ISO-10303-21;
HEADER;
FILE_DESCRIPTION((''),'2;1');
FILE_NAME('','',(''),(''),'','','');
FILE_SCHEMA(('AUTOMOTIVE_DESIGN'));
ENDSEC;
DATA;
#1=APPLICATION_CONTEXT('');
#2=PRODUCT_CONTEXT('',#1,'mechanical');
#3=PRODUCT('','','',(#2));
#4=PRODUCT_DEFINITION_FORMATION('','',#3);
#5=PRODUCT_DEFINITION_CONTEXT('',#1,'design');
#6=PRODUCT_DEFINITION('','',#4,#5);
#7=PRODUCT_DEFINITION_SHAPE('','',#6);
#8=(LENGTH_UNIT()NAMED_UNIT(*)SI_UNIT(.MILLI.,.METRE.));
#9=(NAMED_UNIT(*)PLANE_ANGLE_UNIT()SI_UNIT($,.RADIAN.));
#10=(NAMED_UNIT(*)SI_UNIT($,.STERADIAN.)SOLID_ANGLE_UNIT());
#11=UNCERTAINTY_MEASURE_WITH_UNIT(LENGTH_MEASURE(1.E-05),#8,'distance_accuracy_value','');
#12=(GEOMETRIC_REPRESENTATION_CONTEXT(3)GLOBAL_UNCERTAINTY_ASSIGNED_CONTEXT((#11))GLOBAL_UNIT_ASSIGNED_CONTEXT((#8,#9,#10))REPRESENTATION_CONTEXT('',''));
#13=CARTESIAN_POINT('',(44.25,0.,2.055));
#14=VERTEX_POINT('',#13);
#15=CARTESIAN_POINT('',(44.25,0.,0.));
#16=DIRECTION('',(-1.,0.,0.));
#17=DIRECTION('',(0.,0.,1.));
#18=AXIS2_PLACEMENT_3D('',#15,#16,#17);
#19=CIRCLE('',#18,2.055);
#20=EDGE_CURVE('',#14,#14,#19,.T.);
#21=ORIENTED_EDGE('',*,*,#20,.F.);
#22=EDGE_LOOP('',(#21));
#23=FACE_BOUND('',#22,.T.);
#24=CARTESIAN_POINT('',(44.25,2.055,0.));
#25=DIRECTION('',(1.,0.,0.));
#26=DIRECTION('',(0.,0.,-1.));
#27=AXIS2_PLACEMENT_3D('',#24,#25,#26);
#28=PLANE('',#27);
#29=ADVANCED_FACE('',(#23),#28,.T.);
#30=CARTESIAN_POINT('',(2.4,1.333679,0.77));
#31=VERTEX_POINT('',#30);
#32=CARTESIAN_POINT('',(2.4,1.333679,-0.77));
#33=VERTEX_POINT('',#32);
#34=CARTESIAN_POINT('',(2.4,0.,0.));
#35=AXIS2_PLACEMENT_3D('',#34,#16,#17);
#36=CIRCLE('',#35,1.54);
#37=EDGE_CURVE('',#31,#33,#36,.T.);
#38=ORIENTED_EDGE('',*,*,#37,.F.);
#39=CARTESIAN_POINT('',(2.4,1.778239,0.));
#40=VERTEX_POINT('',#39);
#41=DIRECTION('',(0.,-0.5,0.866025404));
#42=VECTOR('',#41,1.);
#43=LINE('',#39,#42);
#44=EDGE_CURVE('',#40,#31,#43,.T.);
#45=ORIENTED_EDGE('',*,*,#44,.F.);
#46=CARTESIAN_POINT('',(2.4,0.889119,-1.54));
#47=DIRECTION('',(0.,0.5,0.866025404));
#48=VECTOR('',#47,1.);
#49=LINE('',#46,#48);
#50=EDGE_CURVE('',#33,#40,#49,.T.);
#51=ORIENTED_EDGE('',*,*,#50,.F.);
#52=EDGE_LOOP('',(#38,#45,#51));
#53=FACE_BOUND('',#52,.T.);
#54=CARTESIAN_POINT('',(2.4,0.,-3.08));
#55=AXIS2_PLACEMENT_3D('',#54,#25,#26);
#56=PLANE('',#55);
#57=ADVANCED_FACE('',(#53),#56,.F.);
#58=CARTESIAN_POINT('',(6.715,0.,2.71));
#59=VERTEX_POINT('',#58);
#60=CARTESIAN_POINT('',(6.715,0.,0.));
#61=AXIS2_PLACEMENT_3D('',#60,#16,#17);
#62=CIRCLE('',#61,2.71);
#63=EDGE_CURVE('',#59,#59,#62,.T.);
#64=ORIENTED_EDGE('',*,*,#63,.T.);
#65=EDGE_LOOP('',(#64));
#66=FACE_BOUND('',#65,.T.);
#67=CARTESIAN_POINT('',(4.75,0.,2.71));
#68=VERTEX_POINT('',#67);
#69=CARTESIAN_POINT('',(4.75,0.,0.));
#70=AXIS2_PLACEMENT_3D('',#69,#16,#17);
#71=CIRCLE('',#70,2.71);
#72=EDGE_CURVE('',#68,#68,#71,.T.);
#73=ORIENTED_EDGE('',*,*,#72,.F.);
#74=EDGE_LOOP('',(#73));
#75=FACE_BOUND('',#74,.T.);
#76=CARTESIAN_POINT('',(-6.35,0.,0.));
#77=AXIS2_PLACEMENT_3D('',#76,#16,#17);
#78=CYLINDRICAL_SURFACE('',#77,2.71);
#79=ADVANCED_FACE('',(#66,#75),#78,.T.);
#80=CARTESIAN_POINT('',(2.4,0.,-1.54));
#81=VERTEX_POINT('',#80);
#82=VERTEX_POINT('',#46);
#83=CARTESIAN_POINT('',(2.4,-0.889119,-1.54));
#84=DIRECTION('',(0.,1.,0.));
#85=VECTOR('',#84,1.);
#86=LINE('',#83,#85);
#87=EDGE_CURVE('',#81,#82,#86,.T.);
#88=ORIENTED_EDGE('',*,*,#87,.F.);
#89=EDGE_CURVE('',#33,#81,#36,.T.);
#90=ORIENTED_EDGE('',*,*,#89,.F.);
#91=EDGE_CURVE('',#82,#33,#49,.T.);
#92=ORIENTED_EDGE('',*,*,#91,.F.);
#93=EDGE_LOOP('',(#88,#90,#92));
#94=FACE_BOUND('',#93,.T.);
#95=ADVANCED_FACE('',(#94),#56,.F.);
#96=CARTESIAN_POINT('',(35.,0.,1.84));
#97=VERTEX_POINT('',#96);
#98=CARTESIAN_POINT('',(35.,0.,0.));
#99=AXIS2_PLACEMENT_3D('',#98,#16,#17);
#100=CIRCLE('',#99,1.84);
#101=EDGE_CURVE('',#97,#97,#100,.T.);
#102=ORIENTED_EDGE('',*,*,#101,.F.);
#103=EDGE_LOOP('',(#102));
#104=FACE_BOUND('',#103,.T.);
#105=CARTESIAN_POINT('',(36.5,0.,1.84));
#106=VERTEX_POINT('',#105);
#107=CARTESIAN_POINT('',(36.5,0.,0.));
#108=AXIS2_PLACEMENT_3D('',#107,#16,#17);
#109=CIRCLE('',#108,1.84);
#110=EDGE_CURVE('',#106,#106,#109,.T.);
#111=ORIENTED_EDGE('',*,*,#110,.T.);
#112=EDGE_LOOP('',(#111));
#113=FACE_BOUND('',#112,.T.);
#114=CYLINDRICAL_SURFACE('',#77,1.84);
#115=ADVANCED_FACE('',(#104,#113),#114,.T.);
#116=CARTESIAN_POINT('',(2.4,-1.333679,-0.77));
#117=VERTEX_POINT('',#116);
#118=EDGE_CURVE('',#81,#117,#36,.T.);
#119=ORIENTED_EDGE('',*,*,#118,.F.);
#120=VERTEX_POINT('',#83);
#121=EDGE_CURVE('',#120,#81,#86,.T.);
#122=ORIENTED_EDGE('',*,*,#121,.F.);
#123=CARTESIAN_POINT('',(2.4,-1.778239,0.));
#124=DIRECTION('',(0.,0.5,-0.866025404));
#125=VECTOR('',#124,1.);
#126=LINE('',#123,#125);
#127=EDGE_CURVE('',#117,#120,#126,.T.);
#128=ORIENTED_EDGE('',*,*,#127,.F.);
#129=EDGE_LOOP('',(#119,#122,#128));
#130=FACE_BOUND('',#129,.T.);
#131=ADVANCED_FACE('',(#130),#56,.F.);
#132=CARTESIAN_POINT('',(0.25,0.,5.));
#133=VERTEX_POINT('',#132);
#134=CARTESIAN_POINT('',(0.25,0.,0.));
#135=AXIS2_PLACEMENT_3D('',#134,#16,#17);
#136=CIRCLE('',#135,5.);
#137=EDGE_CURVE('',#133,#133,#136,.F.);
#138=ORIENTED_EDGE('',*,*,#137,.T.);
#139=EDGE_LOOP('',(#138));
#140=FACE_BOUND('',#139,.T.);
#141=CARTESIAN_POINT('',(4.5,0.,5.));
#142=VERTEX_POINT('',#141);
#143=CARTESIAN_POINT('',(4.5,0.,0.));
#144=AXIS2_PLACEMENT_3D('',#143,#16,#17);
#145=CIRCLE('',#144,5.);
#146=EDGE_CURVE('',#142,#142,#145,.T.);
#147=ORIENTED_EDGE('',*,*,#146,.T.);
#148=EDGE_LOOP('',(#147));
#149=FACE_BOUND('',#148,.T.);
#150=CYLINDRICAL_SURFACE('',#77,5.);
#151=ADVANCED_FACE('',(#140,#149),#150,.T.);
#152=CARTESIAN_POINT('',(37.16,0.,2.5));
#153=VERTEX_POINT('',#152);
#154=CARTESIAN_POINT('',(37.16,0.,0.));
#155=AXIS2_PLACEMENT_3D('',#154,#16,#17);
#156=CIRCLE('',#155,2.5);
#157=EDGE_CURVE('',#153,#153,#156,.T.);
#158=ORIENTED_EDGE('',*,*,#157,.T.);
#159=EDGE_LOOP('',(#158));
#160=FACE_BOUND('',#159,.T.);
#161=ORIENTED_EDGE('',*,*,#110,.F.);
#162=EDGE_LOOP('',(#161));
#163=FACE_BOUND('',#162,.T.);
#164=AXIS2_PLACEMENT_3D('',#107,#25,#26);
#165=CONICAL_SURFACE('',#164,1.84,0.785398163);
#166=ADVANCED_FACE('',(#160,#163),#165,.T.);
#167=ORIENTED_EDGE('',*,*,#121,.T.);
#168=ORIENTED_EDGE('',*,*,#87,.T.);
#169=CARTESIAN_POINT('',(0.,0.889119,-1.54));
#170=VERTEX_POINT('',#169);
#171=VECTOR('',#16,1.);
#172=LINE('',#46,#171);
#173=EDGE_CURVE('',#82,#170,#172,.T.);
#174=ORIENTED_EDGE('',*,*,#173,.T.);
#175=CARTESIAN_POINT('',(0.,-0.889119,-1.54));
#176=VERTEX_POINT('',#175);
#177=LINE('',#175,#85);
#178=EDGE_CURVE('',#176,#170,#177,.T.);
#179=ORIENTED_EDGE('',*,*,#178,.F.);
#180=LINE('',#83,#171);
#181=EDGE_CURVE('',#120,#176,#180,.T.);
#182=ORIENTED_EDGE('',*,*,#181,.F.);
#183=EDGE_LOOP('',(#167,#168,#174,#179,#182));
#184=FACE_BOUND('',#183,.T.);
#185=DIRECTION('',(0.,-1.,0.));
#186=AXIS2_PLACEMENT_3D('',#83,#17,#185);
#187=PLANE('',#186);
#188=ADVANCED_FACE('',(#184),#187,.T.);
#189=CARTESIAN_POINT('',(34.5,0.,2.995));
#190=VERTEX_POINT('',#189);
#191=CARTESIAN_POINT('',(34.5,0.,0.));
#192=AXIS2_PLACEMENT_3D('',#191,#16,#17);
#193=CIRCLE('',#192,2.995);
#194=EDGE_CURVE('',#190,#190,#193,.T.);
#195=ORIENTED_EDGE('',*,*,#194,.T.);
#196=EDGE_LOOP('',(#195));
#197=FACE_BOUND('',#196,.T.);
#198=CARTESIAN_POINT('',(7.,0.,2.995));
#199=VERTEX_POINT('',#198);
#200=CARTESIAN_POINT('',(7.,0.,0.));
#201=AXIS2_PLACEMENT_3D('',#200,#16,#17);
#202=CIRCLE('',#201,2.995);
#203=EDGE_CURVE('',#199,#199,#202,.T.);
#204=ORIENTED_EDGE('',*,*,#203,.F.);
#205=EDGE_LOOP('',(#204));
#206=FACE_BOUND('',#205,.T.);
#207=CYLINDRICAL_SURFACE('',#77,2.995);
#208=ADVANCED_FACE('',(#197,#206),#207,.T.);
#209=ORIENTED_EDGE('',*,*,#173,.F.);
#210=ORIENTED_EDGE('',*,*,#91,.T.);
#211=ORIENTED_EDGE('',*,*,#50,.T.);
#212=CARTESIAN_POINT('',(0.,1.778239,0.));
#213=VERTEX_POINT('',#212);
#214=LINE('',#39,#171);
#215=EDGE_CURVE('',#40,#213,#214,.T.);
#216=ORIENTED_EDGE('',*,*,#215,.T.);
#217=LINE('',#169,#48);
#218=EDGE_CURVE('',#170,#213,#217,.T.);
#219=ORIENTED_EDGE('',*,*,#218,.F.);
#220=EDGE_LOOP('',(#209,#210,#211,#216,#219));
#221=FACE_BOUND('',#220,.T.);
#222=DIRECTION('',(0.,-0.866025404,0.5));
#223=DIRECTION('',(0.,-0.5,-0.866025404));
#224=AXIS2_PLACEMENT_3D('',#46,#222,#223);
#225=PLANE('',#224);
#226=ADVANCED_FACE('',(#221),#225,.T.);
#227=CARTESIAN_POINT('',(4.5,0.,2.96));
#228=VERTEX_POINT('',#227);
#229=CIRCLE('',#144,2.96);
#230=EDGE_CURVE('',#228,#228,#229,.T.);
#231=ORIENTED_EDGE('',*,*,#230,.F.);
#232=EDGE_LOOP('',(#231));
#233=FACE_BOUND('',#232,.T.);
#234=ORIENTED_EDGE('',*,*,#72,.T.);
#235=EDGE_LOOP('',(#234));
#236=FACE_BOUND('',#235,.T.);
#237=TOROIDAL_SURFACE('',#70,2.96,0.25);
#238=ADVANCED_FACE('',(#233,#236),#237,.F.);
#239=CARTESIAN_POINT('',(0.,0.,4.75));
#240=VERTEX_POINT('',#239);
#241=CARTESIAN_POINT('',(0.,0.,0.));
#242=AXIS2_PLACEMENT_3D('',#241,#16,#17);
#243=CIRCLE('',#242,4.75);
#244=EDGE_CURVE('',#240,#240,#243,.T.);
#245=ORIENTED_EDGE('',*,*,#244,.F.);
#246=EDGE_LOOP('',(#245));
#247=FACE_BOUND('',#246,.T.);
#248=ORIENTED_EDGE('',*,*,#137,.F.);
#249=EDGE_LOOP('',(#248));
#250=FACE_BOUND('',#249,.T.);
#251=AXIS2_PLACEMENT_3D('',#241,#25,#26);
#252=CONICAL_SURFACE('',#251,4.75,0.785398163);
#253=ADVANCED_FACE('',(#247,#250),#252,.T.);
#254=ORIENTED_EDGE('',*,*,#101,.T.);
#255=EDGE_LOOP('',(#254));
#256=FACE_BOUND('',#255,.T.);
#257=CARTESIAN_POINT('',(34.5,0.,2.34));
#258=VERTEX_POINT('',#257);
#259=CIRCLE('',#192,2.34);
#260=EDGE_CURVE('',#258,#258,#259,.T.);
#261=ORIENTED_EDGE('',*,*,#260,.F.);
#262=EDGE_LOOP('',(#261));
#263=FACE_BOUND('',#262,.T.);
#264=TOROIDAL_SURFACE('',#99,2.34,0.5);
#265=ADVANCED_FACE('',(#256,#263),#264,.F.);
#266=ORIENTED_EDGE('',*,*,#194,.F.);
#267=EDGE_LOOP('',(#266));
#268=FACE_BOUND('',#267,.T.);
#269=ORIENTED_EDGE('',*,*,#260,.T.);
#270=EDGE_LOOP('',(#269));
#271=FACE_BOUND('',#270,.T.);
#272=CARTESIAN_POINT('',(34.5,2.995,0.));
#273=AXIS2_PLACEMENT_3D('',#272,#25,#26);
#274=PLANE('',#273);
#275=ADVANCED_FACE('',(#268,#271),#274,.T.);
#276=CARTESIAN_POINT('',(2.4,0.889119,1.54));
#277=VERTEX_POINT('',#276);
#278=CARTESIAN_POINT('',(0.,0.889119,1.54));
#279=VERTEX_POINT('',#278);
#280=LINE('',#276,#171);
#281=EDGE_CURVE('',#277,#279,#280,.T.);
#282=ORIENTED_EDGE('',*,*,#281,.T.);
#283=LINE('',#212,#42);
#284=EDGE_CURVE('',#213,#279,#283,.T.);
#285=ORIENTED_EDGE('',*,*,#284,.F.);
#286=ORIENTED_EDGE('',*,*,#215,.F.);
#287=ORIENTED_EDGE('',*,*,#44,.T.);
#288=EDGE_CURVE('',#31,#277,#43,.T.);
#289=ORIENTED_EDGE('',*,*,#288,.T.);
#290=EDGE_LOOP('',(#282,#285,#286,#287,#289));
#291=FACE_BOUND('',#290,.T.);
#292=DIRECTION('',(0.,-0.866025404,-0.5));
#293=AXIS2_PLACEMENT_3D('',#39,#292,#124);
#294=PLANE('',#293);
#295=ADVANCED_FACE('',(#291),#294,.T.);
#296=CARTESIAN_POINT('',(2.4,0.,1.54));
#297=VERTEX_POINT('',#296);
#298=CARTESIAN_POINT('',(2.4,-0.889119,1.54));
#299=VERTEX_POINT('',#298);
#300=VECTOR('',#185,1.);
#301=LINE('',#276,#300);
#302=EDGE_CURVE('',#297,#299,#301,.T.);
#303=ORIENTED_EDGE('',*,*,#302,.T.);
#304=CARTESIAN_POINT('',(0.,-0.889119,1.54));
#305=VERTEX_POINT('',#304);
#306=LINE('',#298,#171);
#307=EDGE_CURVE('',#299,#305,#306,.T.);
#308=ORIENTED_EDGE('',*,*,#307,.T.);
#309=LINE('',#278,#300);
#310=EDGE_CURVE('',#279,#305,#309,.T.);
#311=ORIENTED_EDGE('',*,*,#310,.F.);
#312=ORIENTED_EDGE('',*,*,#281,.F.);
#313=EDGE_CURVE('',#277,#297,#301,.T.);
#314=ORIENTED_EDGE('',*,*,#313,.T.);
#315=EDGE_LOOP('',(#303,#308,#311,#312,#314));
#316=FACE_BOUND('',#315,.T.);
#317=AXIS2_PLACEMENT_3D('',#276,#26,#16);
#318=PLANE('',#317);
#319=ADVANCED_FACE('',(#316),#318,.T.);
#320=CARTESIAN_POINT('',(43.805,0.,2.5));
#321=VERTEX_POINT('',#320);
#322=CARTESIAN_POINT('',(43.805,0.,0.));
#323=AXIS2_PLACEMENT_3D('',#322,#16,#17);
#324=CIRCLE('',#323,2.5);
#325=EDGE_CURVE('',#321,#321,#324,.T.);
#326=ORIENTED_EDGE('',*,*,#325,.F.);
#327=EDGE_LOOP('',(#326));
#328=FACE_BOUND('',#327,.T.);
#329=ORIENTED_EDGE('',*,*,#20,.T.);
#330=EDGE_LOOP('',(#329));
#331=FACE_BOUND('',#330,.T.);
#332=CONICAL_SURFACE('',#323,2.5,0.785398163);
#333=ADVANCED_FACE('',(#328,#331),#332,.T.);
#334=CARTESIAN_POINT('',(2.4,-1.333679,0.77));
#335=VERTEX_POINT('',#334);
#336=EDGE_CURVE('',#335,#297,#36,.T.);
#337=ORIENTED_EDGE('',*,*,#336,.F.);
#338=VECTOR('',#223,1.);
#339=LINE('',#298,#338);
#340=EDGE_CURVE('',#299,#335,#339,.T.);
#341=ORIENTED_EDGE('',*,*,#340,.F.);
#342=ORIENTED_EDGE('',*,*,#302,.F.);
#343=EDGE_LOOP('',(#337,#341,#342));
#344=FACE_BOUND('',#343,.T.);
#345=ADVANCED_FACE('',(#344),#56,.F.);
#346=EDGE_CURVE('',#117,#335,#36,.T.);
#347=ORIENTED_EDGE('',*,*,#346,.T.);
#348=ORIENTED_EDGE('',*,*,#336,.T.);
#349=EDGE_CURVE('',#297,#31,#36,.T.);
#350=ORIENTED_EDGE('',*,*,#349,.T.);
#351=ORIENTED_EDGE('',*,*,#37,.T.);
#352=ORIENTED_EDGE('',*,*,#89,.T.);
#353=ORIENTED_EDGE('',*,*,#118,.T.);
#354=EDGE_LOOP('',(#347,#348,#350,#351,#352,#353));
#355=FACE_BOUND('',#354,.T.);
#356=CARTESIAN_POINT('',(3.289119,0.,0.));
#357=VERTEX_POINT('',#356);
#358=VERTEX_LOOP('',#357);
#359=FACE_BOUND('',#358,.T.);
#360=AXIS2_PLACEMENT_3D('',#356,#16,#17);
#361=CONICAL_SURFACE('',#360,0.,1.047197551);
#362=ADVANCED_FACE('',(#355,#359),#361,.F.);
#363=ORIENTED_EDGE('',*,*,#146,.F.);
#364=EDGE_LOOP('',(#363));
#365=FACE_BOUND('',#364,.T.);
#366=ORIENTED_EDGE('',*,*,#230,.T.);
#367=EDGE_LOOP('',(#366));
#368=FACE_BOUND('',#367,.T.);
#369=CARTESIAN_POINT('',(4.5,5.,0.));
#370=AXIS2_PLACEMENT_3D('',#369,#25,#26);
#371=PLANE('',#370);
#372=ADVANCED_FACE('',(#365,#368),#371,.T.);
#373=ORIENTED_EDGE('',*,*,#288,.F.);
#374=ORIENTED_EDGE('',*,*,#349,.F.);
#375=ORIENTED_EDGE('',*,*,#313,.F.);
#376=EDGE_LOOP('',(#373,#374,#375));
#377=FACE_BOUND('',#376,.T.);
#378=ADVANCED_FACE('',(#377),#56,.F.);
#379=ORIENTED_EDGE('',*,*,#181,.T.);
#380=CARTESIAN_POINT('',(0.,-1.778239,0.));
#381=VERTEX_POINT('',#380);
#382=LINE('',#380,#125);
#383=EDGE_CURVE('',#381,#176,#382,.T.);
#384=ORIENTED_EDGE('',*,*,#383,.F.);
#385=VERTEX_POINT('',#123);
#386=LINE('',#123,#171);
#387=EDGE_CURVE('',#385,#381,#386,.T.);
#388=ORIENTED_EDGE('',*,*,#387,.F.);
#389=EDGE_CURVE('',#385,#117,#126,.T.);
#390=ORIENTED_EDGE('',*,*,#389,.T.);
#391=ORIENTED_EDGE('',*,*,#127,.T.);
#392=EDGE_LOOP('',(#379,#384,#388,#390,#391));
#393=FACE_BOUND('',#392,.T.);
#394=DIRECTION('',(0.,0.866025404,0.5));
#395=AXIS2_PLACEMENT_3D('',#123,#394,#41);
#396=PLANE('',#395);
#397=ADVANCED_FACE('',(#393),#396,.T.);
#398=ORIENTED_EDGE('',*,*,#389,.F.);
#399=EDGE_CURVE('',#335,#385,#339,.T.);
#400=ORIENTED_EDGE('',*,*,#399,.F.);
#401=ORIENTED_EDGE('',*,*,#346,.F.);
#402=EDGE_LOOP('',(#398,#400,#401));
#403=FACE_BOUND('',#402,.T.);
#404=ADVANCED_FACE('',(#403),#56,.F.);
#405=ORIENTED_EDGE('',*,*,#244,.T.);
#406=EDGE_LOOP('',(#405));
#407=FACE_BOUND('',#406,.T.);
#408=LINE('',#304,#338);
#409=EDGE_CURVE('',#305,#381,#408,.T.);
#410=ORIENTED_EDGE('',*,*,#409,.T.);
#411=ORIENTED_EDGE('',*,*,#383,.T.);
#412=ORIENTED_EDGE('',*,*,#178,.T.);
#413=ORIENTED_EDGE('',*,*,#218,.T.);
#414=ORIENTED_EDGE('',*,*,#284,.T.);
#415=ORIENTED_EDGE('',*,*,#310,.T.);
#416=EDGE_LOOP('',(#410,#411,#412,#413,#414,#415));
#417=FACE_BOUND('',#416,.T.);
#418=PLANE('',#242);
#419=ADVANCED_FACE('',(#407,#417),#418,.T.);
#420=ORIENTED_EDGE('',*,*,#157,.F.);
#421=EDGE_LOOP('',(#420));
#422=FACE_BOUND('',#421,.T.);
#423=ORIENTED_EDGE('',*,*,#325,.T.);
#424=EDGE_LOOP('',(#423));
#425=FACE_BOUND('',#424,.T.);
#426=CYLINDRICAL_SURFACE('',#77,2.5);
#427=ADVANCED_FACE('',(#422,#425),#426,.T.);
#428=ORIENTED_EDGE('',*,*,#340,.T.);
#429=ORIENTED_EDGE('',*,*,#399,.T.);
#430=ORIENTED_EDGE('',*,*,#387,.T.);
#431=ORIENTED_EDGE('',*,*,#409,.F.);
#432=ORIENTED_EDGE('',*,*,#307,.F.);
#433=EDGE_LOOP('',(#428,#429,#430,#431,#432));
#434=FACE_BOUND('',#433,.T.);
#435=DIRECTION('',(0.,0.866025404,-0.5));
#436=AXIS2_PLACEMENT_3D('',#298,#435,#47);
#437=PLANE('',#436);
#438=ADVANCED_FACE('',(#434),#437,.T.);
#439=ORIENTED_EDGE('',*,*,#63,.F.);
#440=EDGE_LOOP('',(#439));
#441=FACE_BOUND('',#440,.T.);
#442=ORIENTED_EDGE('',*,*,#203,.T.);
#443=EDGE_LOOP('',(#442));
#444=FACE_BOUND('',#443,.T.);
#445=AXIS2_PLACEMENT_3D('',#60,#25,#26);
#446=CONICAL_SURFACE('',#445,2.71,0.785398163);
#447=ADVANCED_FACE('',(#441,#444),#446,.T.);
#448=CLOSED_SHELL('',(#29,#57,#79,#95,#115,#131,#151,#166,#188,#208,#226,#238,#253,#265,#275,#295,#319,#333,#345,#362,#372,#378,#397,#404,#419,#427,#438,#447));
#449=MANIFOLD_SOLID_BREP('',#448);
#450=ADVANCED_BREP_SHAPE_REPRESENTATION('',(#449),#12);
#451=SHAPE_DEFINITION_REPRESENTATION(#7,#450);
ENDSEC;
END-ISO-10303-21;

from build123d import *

# Parameters (mm, degrees)
CHAMFER1_SIZE = 0.25
HEX_2_DEPTH   = 2.4


with BuildPart() as part:
    # BodySke → BaseBody (revolve)
    with BuildSketch(Plane.XY, mode=Mode.PRIVATE) as basebody_sk:
        with BuildLine():
            Line((0, 0), (0, 5))
            Line((0, 5), (4.5, 5))
            Line((4.5, 5), (4.5, 2.96))
            ThreePointArc((4.5, 2.96), (4.573223305, 2.783223305), (4.75, 2.71))
            Line((4.75, 2.71), (6.715, 2.71))
            Line((6.715, 2.71), (7, 2.995))
            Line((7, 2.995), (34.5, 2.995))
            Line((34.5, 2.995), (34.5, 2.34))
            ThreePointArc((34.5, 2.34), (34.646446609, 1.986446609), (35, 1.84))
            Line((35, 1.84), (36.5, 1.84))
            Line((36.5, 1.84), (37.16, 2.5))
            Line((37.16, 2.5), (43.805, 2.5))
            Line((43.805, 2.5), (44.25, 2.055))
            Line((44.25, 2.055), (44.25, 0))
            Line((44.25, 0), (0, 0))
        make_face()
    revolve(basebody_sk.sketch.rotate(Axis((-6.35, 0, 0), (1, 0, 0)), 90), axis=Axis((-6.35, 0, 0), (1, 0, 0)))

    # Chamfer1
    chamfer1_edges = [part.edges().sort_by_distance(p)[0] for p in [
        (0, 0, -5),
    ]]
    chamfer(chamfer1_edges, length=CHAMFER1_SIZE)

    # Sketch2 → PreBroach (revolve, cut)
    with BuildSketch(Plane.XY, mode=Mode.PRIVATE) as prebroach_sk:
        Polygon((0, 1.54), (2.4, 1.54), (3.289119415, 0), (0, 0), align=None)
    revolve(prebroach_sk.sketch.rotate(Axis((0, 0, 0), (1, 0, 0)), 90), axis=Axis((0, 0, 0), (1, 0, 0)), mode=Mode.SUBTRACT)

    # Sketch3 → Hex 2 (cut)
    with BuildSketch(Plane.ZY):
        Polygon((-1.54, -0.889119415), (-1.54, 0.889119415), (0, 1.778238829), (1.54, 0.889119415), (1.54, -0.889119415), (0, -1.778238829), align=None)
    extrude(amount=-HEX_2_DEPTH, mode=Mode.SUBTRACT)


solid = part.part
